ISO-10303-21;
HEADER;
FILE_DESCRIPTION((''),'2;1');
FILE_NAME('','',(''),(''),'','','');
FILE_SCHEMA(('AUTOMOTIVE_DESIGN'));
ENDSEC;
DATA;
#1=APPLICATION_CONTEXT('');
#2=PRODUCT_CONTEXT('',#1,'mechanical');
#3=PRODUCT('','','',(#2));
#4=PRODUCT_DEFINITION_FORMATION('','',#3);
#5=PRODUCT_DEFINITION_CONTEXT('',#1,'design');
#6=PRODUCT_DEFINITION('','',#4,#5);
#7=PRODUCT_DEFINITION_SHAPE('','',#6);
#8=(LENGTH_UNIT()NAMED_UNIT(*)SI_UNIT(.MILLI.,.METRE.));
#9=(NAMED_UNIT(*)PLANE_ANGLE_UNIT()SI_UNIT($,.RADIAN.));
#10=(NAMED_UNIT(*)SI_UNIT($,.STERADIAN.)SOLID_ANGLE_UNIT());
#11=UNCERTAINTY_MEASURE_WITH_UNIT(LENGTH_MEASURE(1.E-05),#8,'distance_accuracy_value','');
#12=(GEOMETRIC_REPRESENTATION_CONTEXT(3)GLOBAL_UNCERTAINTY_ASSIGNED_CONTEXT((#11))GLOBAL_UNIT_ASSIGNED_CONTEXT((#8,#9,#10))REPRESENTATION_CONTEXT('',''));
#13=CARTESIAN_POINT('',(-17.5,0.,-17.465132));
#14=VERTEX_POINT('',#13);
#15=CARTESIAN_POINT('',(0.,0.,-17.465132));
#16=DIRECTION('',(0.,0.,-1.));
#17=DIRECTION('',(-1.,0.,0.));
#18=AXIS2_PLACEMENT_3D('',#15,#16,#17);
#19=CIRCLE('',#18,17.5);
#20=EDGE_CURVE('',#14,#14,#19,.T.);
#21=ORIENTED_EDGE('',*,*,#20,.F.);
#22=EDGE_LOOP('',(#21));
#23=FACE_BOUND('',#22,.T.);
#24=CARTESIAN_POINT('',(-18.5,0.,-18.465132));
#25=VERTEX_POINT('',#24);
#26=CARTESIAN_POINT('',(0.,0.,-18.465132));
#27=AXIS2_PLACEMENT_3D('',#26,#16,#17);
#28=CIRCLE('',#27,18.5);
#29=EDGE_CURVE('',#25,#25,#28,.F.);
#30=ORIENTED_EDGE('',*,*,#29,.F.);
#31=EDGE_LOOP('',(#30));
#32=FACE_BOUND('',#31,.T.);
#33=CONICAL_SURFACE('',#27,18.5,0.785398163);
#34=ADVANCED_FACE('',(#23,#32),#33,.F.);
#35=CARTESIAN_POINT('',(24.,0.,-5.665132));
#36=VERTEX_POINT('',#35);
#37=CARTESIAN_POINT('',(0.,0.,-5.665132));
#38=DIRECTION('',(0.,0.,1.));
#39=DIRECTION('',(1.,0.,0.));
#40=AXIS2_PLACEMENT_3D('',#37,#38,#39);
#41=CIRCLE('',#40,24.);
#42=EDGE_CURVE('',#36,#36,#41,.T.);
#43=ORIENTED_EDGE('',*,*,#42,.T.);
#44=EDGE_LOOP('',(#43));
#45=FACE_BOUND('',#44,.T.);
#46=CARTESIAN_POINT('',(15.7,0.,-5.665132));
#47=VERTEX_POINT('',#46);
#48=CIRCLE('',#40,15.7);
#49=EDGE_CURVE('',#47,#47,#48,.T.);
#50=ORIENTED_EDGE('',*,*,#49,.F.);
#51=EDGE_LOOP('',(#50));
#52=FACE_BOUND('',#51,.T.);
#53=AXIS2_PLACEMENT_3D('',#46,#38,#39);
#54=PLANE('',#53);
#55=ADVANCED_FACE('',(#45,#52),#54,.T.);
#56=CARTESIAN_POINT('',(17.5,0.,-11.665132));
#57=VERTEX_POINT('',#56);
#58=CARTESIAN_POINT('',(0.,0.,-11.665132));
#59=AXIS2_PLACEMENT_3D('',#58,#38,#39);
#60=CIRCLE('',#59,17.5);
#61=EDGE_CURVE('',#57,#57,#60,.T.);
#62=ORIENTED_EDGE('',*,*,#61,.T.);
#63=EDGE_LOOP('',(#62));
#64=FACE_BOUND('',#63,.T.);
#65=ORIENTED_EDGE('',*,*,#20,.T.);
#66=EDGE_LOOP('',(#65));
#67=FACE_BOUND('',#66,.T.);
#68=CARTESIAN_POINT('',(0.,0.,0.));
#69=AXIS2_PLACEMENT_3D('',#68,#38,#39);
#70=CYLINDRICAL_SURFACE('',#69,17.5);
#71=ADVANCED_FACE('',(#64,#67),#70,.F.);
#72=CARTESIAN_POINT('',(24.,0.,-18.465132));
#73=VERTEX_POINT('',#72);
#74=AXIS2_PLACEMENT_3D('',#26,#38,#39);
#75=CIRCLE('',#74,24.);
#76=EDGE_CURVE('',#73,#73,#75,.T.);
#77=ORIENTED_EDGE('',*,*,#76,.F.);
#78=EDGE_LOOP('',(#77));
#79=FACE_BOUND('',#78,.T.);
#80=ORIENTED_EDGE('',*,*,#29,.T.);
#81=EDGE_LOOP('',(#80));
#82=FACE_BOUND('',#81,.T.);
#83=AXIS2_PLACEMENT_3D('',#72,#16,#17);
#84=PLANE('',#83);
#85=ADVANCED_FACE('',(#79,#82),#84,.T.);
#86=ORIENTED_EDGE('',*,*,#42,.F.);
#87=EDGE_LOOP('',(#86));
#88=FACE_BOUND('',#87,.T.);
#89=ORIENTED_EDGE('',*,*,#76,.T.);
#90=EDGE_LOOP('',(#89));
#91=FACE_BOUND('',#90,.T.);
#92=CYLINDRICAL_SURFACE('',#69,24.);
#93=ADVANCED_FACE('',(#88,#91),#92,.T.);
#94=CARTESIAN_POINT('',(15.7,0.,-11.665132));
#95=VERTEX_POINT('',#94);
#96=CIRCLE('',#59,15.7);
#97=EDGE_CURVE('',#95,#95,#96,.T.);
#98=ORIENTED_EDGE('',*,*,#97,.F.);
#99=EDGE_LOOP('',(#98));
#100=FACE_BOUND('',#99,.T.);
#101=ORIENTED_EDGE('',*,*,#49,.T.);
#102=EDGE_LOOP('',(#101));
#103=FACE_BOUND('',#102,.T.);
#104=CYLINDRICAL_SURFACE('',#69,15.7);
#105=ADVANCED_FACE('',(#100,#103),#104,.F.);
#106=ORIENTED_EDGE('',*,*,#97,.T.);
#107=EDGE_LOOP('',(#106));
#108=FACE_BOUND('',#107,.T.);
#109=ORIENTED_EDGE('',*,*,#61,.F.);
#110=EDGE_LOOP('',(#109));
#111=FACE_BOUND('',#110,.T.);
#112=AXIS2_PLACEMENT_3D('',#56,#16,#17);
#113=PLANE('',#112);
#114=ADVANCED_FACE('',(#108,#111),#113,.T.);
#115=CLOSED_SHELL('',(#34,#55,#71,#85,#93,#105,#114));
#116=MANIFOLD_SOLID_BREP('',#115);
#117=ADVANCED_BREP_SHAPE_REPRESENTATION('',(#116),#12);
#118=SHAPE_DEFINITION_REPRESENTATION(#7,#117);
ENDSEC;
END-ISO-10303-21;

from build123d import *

# Parameters (mm, degrees)
CHANFREIN2_SIZE = 1


with BuildPart() as part:
    # Esquisse1 → Révolution1 (revolve)
    with BuildSketch(Plane(origin=(0, 0, 0), x_dir=(1, 0, 0), z_dir=(0, 1, 0))):
        Polygon((24, 5.665131579), (24, 18.465131579), (17.5, 18.465131579), (17.5, 11.665131579), (15.7, 11.665131579), (15.7, 5.665131579), align=None)
    revolve(axis=Axis((0, 0, 0), (0, 0, -1)))

    # Chanfrein2
    chanfrein2_edges = [part.edges().sort_by_distance(p)[0] for p in [
        (-17.5, 0, -18.465131579),
    ]]
    chamfer(chanfrein2_edges, length=CHANFREIN2_SIZE)


solid = part.part
